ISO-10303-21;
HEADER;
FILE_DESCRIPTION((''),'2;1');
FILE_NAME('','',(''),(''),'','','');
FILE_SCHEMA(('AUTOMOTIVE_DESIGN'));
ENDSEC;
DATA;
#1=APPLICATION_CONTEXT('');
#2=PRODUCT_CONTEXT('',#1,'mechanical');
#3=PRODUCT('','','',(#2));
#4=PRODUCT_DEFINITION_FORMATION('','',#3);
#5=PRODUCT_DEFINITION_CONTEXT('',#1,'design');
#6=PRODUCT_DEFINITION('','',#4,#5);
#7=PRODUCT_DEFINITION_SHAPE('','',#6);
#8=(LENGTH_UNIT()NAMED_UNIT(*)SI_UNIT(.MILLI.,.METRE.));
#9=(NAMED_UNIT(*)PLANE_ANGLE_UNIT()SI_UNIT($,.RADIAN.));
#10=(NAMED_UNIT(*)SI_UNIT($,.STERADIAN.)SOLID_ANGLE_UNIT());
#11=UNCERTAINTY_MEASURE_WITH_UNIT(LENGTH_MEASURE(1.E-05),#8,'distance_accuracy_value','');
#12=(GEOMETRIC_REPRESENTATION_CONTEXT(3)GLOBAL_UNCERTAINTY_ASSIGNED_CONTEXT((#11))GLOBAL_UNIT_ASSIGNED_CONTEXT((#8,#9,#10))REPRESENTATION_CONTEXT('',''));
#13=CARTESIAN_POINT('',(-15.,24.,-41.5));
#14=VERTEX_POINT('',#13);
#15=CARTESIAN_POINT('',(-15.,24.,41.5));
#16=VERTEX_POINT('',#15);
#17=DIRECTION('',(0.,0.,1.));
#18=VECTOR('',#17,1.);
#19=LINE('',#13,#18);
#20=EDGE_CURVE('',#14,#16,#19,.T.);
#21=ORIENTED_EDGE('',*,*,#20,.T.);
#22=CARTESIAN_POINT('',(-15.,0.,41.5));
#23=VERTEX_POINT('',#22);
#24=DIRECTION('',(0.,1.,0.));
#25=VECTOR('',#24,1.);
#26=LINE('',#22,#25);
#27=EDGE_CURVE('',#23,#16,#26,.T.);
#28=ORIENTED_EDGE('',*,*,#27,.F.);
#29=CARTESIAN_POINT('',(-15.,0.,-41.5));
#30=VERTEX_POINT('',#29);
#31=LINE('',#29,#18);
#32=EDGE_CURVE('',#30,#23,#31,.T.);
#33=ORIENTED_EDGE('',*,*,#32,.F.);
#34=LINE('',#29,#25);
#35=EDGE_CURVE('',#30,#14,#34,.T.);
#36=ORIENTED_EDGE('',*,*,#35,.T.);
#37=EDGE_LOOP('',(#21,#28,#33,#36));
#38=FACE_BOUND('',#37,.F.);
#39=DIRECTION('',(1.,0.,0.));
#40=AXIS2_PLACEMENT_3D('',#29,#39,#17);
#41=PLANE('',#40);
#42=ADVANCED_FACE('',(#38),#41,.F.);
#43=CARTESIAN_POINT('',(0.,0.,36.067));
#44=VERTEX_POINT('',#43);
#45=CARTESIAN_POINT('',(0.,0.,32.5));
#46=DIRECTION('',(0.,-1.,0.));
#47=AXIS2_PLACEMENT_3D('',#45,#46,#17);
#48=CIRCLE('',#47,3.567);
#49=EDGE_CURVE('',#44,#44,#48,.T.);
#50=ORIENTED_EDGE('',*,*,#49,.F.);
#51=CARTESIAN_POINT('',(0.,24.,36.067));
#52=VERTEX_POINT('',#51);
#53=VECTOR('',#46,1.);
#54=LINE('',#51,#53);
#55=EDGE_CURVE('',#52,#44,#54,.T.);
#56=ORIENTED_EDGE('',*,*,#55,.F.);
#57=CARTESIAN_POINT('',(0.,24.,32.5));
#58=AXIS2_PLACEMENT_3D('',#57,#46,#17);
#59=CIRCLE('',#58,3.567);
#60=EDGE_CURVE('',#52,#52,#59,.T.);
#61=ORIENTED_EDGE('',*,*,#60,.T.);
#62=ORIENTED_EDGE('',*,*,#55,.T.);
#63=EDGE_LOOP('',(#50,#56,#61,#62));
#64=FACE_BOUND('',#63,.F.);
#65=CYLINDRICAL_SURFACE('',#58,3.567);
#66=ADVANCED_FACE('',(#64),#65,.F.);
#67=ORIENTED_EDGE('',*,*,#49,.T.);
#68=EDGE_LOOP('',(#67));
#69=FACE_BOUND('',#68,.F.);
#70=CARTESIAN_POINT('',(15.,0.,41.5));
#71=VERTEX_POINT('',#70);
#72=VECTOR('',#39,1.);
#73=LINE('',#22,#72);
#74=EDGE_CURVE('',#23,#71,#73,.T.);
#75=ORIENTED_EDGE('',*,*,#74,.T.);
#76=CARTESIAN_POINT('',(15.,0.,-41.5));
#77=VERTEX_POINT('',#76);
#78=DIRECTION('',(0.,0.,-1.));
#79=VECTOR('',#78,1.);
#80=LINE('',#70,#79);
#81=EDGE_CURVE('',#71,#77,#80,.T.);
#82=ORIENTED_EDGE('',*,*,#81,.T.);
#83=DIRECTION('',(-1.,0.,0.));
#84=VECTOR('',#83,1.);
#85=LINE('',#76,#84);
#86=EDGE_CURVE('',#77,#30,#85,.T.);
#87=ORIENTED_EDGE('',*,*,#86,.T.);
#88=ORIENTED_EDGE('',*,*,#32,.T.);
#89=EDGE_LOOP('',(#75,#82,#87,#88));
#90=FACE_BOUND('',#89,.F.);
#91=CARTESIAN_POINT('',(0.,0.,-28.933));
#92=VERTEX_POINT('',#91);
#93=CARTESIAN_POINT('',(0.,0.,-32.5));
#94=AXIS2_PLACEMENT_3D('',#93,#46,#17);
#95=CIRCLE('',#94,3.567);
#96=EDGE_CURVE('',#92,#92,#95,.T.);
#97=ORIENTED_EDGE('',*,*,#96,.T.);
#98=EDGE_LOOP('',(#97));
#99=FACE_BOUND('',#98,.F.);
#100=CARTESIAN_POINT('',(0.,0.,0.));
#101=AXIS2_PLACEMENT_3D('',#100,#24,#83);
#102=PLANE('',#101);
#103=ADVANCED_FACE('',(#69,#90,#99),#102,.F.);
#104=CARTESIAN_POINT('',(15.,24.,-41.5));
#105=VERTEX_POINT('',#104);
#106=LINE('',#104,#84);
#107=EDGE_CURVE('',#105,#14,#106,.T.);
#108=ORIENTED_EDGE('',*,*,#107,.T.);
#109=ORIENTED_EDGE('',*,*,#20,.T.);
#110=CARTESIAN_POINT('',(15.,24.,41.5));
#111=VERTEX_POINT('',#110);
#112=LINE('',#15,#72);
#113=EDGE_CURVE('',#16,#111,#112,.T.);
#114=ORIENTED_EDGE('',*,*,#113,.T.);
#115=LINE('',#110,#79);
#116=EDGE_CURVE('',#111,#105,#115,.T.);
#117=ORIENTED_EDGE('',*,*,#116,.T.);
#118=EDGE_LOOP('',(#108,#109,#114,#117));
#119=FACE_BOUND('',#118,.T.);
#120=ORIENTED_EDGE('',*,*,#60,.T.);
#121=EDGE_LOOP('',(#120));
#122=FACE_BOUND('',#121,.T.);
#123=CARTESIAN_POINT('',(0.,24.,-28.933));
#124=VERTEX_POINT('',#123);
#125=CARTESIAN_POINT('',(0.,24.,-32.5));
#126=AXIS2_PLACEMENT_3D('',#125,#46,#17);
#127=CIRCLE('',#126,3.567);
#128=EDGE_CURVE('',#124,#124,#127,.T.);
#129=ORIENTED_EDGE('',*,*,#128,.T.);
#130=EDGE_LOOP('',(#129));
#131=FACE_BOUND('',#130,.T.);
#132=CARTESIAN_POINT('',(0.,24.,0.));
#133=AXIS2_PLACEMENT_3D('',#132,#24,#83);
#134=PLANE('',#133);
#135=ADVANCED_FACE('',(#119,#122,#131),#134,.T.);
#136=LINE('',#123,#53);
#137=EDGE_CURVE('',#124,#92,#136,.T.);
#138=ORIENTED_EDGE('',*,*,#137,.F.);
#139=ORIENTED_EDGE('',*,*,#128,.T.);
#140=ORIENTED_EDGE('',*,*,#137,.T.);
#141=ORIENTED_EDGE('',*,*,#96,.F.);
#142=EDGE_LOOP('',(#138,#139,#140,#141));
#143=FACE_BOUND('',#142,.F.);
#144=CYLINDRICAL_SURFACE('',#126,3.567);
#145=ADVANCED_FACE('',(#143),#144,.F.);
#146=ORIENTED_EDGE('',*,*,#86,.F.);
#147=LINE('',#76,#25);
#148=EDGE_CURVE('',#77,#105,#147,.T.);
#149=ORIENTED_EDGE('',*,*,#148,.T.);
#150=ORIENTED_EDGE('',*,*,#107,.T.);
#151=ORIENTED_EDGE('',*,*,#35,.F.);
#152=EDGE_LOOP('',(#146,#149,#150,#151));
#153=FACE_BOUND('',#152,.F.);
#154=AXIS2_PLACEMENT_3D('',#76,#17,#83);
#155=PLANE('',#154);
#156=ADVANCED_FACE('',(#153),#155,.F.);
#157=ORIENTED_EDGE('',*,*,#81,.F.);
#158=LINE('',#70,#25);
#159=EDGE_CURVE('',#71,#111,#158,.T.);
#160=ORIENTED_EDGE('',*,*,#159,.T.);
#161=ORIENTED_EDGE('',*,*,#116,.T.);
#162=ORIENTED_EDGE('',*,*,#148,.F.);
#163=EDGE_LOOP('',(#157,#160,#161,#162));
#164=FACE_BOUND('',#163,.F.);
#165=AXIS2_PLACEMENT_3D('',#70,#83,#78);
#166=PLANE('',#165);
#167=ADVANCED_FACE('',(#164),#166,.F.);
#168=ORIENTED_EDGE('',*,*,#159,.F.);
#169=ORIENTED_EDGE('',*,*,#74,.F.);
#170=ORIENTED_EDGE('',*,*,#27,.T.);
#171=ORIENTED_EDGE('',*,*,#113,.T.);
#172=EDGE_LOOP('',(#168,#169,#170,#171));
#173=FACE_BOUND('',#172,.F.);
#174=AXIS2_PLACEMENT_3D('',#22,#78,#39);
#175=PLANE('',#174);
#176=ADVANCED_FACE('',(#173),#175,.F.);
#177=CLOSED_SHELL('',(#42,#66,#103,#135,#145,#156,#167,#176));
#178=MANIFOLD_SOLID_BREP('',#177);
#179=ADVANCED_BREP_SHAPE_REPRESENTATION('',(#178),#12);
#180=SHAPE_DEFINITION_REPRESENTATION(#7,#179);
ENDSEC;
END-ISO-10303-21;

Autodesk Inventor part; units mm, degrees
ref_plane "YZ Plane" through (0, 0, 0) normal (1, 0, 0) x (0, 1, 0)
ref_plane "XZ Plane" through (0, 0, 0) normal (0, 1, 0) x (-1, 0, 0)
ref_plane "XY Plane" through (0, 0, 0) normal (0, 0, 1) x (1, 0, 0)
sketch "Sketch1" plane through (0, 0, 0) normal (0, 1, 0) x (-1, 0, 0)
  line L0 (-15, -41.5) -> (15, -41.5)
  line L1 (15, -41.5) -> (15, 41.5)
  line L2 (15, 41.5) -> (-15, 41.5)
  line L3 (-15, 41.5) -> (-15, -41.5)
  line L4 (-15, -41.5) -> (15, 41.5) construction
  line L5 (15, -41.5) -> (-15, 41.5) construction
  point P0 (0, 0)
  dimension "d0" = 30
  dimension "d1" = 83
extrude "Extrusion1" add sketch "Sketch1" along normal blind 24
sketch "Sketch2" plane through (0, 24, 0) normal (0, 1, 0) x (1, 0, 0)
  line L0 (-15, 41.5) -> (-15, -41.5) projected
  line L1 (-15, -41.5) -> (15, -41.5) projected
  point P0 (0, 0)
  point P1 (0, -32.5)
  point P2 (0, 32.5)
  dimension "d4" = 15
  dimension "d6" = 9
  dimension "d14" = 65
  dimension "d15" = 15
hole "Hole1" at (0, 24, 32.5) at (0, 24, -32.5) direction (0, -1, 0) diameter 7.134 end through all thread size "M8x0.8" class "6H" standard "ISO Metric profile"
properties part number "Pillow_support" material "Stainless Steel"
